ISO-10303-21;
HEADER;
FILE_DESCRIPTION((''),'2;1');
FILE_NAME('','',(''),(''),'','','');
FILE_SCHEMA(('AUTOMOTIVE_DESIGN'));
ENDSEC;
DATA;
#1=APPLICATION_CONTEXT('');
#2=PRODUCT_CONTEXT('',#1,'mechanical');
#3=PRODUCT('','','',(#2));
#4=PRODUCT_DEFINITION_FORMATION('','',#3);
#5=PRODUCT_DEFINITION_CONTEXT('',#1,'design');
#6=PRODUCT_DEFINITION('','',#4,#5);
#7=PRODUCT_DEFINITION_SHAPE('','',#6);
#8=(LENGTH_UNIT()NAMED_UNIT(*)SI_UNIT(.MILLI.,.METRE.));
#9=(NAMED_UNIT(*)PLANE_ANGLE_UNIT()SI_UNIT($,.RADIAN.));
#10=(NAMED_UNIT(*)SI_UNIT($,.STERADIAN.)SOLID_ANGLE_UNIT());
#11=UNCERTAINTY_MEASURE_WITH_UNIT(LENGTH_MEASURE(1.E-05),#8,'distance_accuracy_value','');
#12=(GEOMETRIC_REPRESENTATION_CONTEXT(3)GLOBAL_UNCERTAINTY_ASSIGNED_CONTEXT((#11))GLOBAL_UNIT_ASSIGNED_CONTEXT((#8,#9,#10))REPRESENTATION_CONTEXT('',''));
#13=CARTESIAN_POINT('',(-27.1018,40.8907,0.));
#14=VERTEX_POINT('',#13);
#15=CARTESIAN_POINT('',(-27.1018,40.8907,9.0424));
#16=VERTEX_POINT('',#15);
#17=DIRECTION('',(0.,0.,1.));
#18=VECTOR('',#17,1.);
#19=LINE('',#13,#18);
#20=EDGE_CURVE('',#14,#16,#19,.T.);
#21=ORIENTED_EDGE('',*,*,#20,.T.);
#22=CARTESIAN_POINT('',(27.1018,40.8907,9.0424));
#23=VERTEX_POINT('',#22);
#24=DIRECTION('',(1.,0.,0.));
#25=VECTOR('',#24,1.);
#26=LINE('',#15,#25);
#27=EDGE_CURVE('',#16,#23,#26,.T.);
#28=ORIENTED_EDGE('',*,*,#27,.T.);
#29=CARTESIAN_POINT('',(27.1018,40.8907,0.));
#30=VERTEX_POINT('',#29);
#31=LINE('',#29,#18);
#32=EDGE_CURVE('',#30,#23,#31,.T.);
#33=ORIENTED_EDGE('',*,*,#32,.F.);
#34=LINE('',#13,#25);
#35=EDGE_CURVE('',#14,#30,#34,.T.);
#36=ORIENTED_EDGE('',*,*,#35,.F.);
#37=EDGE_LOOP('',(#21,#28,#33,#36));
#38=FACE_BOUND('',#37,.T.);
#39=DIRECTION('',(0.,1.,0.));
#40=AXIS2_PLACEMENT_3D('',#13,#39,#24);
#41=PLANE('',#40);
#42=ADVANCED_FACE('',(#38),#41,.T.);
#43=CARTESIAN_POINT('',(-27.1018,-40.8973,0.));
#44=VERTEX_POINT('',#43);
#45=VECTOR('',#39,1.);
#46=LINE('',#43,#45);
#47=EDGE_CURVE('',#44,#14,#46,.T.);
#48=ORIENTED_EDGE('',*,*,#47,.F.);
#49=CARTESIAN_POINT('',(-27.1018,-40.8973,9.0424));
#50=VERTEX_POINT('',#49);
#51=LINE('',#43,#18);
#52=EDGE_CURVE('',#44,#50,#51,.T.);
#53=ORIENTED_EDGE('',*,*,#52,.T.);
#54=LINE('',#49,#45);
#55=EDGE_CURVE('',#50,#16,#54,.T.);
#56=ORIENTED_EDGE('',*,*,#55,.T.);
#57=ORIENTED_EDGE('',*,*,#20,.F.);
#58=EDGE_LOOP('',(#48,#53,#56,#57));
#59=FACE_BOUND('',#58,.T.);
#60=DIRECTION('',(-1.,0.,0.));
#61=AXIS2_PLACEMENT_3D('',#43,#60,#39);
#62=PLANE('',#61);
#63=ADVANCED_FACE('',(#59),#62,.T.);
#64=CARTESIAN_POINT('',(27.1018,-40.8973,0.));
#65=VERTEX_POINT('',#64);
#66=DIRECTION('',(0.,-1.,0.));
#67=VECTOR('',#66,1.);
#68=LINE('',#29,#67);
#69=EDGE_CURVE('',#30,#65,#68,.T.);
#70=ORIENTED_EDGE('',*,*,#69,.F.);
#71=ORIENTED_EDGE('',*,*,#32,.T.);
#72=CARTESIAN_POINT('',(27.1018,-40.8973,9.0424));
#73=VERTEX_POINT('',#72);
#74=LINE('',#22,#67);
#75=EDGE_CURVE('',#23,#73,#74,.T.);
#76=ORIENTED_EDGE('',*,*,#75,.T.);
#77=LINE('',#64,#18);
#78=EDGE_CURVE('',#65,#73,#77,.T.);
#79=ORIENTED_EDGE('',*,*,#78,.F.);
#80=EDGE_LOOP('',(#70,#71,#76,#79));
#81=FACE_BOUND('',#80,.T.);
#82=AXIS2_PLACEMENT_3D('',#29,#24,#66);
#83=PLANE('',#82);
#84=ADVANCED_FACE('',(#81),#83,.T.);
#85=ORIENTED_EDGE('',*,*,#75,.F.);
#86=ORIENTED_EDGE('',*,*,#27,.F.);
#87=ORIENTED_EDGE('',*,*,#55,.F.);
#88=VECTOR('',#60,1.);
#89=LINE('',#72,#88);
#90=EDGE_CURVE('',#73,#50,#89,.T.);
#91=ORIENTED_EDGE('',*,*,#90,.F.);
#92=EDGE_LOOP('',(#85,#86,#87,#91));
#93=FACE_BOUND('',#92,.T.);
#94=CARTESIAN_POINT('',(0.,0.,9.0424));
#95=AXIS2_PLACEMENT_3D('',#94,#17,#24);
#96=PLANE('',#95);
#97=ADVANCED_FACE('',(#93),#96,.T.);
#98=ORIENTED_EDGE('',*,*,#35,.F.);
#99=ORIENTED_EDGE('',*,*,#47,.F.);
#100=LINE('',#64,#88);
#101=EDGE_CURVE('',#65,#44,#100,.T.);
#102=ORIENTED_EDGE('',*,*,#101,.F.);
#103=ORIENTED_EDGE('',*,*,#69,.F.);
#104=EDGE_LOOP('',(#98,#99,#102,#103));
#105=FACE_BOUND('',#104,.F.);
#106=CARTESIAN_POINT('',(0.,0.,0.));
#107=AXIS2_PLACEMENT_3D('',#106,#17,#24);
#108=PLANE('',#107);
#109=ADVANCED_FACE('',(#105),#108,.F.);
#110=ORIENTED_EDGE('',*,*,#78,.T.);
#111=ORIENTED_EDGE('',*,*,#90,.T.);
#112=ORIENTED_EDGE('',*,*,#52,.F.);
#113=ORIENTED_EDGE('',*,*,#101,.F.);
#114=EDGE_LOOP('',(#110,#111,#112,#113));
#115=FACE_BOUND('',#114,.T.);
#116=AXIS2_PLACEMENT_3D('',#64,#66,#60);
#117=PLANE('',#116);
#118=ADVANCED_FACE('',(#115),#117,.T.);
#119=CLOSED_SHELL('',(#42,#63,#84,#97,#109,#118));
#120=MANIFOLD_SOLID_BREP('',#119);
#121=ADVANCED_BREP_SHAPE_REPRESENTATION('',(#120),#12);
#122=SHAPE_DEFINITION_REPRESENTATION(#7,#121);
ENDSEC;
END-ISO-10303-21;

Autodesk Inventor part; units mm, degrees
ref_plane "YZ Plane" through (0, 0, 0) normal (1, 0, 0) x (0, 1, 0)
ref_plane "XZ Plane" through (0, 0, 0) normal (0, 1, 0) x (-1, 0, 0)
ref_plane "XY Plane" through (0, 0, 0) normal (0, 0, 1) x (1, 0, 0)
sketch "Sketch1" plane through (0, 0, 0) normal (0, 0, 1) x (1, 0, 0)
  line L0 (-27.1018, 40.8907) -> (27.1018, 40.8907)
  line L1 (27.1018, 40.8907) -> (27.1018, -40.8973)
  line L2 (27.1018, -40.8973) -> (-27.1018, -40.8973)
  line L3 (-27.1018, -40.8973) -> (-27.1018, 40.8907)
  line L4 (-27.1018, 40.8907) -> (27.1018, -40.8973) construction
  line L5 (27.1018, 40.8907) -> (-27.1018, -40.8973) construction
  point P0 (0, -0.0033)
extrude "Extrusion1" add sketch "Sketch1" along normal blind 9.0424
properties part number "Breadboard"
